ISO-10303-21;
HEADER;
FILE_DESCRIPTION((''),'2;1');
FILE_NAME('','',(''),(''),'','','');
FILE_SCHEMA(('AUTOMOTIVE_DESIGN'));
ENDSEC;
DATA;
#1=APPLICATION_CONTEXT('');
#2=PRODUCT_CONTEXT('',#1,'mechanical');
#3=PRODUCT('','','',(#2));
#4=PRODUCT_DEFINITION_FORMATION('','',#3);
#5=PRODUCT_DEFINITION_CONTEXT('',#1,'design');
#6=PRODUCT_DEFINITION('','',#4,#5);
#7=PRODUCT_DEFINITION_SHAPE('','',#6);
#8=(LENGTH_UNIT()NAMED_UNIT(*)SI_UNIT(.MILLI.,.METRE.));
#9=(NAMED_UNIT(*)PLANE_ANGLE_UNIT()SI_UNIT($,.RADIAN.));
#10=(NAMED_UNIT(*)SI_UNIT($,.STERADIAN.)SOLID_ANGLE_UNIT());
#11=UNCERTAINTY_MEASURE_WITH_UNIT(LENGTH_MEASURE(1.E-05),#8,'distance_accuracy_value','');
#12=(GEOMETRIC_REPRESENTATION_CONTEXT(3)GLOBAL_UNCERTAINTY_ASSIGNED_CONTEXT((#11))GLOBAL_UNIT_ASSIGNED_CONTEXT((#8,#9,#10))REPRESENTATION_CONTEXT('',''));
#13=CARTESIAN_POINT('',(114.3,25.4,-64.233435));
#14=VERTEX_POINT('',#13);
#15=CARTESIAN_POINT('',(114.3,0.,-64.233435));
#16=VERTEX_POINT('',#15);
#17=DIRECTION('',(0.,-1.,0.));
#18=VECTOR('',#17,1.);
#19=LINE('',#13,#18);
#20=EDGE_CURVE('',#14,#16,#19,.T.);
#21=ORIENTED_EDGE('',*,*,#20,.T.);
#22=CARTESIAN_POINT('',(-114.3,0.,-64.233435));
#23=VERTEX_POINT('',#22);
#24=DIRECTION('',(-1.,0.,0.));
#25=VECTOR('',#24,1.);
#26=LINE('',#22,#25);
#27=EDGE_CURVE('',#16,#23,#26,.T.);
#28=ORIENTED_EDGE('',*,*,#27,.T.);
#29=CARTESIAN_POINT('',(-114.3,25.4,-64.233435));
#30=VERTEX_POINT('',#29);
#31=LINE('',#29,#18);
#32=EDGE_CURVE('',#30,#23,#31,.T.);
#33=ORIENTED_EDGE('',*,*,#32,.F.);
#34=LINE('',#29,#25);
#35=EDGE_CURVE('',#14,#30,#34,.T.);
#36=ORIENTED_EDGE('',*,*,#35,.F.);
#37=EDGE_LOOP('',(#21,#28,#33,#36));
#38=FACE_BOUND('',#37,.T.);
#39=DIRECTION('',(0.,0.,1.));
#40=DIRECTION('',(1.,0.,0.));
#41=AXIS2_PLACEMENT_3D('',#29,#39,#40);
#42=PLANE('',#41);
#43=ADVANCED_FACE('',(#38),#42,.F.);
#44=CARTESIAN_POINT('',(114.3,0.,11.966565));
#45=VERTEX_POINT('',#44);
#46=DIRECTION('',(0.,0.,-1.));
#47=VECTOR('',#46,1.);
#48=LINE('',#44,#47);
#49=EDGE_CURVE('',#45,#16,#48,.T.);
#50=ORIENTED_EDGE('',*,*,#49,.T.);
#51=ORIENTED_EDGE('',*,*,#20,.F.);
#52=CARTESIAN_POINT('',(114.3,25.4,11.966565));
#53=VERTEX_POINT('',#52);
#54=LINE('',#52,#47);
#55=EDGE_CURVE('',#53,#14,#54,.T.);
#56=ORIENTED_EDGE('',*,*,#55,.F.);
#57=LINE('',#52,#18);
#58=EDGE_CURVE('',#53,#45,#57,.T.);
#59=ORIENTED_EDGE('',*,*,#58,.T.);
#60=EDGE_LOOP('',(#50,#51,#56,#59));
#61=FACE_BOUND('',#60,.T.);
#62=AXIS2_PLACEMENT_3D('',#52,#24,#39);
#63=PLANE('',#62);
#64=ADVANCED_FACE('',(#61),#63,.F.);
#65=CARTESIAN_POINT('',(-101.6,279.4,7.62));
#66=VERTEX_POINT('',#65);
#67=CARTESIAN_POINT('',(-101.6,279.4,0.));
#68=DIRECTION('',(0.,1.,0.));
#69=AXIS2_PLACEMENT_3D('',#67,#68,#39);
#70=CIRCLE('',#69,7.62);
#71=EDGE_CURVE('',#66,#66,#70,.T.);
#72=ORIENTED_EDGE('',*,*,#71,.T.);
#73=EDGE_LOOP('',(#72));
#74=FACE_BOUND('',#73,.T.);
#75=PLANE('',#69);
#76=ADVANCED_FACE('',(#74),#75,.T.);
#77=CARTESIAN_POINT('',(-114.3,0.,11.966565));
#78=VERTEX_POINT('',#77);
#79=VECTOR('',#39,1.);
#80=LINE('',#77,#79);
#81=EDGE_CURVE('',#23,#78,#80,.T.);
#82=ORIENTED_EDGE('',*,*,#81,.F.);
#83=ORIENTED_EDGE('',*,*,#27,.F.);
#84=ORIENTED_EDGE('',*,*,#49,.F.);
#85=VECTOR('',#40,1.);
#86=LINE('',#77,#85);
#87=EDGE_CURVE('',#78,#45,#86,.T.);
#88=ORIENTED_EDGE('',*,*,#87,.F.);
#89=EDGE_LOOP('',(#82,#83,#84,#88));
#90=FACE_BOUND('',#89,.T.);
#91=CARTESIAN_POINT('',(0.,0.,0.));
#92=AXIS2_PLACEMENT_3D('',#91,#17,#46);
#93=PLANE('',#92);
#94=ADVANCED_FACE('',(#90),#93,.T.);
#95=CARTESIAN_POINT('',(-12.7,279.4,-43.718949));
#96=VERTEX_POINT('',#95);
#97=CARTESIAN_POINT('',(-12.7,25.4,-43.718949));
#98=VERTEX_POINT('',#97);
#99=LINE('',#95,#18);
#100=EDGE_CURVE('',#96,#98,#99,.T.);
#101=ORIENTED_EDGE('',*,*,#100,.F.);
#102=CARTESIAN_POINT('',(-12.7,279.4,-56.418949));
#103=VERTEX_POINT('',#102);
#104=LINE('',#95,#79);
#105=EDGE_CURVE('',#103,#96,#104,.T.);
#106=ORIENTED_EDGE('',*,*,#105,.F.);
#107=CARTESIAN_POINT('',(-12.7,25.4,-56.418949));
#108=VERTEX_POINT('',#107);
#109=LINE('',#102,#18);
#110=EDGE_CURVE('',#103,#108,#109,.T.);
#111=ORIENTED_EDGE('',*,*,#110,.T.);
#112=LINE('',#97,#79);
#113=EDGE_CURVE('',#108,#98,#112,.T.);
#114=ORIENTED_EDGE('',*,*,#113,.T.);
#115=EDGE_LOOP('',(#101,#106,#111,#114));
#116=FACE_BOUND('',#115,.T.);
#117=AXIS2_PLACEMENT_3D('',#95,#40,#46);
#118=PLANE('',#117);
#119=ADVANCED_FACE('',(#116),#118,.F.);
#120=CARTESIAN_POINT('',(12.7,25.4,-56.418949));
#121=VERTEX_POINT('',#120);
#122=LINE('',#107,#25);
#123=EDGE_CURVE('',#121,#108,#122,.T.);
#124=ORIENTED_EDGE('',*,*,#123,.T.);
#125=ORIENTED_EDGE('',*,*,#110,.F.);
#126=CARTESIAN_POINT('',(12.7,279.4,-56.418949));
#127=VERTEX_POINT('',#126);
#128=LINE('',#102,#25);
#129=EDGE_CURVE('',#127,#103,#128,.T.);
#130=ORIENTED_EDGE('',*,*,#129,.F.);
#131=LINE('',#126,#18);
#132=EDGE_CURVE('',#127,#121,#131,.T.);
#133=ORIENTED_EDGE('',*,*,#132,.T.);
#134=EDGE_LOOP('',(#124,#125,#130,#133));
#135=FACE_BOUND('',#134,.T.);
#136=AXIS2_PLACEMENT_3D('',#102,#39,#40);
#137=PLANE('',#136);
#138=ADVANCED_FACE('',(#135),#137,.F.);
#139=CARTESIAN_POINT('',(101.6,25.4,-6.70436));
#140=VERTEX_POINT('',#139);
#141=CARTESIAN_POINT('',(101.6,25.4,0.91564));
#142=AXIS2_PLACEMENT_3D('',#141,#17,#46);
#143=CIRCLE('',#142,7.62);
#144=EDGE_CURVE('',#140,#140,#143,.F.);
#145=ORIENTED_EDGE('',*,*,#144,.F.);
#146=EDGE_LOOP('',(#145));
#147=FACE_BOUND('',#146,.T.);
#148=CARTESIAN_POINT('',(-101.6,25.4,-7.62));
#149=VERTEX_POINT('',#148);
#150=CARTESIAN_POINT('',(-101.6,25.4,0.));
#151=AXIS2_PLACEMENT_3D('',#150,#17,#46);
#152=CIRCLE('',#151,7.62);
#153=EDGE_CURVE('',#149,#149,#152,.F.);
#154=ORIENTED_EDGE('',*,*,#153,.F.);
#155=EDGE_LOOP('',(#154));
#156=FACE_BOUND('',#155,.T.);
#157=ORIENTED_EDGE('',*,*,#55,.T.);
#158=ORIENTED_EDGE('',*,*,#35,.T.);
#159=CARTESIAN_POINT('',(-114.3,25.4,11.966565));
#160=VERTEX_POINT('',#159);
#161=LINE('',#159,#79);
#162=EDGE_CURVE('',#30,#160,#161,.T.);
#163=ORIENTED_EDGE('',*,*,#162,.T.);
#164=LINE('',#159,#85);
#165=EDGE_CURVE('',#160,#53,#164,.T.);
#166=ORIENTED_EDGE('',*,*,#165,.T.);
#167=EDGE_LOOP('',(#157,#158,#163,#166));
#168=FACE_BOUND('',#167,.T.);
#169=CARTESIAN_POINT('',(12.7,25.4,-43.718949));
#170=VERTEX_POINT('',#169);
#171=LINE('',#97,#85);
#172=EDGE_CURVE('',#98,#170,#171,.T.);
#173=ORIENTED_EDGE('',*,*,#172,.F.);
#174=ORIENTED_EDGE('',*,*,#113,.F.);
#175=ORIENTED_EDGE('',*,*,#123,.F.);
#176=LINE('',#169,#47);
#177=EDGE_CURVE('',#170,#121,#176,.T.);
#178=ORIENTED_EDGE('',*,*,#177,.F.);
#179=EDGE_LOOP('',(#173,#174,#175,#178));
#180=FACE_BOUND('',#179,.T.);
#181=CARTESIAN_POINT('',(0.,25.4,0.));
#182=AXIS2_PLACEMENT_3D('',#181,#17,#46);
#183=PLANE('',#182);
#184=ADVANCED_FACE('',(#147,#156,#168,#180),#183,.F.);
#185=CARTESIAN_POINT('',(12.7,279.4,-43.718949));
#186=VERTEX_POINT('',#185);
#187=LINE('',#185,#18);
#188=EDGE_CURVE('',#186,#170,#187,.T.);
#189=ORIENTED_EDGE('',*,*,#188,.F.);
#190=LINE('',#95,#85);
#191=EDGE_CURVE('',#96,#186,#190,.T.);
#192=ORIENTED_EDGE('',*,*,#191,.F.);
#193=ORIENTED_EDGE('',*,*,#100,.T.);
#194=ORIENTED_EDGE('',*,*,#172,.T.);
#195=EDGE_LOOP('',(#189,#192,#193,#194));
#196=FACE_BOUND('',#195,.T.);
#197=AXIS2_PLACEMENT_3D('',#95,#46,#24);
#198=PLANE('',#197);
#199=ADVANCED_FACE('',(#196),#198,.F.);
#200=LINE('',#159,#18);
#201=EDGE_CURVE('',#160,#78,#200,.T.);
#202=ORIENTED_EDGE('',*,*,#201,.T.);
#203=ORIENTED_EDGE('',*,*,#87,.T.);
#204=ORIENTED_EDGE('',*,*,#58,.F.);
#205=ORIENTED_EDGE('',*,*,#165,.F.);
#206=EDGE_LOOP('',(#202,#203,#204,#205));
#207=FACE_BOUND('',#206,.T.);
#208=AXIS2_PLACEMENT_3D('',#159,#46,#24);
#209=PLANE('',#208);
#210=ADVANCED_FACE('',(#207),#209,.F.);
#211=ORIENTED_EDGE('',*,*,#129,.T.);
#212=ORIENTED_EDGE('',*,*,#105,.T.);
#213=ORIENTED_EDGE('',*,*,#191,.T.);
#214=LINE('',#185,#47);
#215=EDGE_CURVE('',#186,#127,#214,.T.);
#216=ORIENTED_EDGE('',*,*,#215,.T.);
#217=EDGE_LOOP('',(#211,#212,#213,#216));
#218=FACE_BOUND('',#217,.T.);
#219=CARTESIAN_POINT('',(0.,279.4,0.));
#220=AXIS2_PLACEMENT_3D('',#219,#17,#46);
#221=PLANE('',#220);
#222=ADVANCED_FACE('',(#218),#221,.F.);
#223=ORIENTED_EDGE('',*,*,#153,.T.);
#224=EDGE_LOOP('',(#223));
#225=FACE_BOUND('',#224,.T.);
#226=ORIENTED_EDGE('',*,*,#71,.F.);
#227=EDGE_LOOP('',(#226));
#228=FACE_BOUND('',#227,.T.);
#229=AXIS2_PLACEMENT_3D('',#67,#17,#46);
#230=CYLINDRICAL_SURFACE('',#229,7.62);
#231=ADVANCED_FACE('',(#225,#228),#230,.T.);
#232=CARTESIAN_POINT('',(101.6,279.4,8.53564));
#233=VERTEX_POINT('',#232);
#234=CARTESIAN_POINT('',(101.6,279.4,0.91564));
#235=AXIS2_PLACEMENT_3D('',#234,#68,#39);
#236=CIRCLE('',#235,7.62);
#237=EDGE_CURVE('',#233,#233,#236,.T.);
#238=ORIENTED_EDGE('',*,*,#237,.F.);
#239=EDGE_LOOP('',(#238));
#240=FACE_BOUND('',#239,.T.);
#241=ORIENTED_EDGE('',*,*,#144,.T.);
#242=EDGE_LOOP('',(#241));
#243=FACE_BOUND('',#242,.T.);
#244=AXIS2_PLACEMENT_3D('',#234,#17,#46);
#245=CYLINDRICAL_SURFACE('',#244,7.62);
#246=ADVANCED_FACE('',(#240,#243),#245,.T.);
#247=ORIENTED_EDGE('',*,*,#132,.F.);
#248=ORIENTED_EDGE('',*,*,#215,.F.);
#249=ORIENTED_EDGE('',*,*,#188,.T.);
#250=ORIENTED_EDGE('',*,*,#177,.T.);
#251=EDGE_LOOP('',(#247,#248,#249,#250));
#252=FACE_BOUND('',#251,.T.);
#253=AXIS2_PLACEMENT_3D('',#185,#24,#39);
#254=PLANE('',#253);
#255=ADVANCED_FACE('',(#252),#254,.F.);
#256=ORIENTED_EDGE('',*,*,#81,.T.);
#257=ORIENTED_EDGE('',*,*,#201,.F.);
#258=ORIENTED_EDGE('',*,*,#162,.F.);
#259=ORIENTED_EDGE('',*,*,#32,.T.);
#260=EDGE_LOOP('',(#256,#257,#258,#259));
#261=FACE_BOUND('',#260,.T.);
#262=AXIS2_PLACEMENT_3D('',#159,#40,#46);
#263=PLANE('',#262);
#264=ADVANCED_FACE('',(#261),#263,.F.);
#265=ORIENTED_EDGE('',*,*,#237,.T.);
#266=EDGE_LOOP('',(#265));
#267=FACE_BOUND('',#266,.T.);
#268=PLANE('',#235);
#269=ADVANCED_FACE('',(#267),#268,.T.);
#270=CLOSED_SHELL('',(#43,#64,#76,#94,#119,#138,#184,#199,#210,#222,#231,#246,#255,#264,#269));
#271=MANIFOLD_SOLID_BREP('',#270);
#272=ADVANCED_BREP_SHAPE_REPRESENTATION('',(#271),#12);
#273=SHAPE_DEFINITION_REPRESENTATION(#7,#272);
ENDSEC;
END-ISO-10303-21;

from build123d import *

# Parameters (mm, degrees)
SKETCH1_W           = 228.6
SKETCH1_H           = 76.2
BOSS_EXTRUDE1_DEPTH = 25.4
SKETCH2_R           = 7.62
SKETCH2_W           = 25.4
SKETCH2_H           = 12.7
BOSS_EXTRUDE2_DEPTH = 254


with BuildPart() as part:
    # Sketch1 → Boss-Extrude1 (new body)
    with BuildSketch(Plane(origin=(0, 0, 0), x_dir=(1, 0, 0), z_dir=(0, 1, 0))):
        with Locations((0, 26.13343465)):
            Rectangle(SKETCH1_W, SKETCH1_H)
    extrude(amount=BOSS_EXTRUDE1_DEPTH)

    # Sketch2 → Boss-Extrude2 (add)
    with BuildSketch(Plane(origin=(0, 25.4, 0), x_dir=(1, 0, 0), z_dir=(0, 1, 0))):
        with Locations(Location((-101.6, 0, 0), (0, 0, 90))):
            Circle(SKETCH2_R)
        with Locations(Location((101.6, -0.915640228, 0), (0, 0, 90))):
            Circle(SKETCH2_R)
        with Locations((0, 50.068949407)):
            Rectangle(SKETCH2_W, SKETCH2_H)
    extrude(amount=BOSS_EXTRUDE2_DEPTH)


solid = part.part
